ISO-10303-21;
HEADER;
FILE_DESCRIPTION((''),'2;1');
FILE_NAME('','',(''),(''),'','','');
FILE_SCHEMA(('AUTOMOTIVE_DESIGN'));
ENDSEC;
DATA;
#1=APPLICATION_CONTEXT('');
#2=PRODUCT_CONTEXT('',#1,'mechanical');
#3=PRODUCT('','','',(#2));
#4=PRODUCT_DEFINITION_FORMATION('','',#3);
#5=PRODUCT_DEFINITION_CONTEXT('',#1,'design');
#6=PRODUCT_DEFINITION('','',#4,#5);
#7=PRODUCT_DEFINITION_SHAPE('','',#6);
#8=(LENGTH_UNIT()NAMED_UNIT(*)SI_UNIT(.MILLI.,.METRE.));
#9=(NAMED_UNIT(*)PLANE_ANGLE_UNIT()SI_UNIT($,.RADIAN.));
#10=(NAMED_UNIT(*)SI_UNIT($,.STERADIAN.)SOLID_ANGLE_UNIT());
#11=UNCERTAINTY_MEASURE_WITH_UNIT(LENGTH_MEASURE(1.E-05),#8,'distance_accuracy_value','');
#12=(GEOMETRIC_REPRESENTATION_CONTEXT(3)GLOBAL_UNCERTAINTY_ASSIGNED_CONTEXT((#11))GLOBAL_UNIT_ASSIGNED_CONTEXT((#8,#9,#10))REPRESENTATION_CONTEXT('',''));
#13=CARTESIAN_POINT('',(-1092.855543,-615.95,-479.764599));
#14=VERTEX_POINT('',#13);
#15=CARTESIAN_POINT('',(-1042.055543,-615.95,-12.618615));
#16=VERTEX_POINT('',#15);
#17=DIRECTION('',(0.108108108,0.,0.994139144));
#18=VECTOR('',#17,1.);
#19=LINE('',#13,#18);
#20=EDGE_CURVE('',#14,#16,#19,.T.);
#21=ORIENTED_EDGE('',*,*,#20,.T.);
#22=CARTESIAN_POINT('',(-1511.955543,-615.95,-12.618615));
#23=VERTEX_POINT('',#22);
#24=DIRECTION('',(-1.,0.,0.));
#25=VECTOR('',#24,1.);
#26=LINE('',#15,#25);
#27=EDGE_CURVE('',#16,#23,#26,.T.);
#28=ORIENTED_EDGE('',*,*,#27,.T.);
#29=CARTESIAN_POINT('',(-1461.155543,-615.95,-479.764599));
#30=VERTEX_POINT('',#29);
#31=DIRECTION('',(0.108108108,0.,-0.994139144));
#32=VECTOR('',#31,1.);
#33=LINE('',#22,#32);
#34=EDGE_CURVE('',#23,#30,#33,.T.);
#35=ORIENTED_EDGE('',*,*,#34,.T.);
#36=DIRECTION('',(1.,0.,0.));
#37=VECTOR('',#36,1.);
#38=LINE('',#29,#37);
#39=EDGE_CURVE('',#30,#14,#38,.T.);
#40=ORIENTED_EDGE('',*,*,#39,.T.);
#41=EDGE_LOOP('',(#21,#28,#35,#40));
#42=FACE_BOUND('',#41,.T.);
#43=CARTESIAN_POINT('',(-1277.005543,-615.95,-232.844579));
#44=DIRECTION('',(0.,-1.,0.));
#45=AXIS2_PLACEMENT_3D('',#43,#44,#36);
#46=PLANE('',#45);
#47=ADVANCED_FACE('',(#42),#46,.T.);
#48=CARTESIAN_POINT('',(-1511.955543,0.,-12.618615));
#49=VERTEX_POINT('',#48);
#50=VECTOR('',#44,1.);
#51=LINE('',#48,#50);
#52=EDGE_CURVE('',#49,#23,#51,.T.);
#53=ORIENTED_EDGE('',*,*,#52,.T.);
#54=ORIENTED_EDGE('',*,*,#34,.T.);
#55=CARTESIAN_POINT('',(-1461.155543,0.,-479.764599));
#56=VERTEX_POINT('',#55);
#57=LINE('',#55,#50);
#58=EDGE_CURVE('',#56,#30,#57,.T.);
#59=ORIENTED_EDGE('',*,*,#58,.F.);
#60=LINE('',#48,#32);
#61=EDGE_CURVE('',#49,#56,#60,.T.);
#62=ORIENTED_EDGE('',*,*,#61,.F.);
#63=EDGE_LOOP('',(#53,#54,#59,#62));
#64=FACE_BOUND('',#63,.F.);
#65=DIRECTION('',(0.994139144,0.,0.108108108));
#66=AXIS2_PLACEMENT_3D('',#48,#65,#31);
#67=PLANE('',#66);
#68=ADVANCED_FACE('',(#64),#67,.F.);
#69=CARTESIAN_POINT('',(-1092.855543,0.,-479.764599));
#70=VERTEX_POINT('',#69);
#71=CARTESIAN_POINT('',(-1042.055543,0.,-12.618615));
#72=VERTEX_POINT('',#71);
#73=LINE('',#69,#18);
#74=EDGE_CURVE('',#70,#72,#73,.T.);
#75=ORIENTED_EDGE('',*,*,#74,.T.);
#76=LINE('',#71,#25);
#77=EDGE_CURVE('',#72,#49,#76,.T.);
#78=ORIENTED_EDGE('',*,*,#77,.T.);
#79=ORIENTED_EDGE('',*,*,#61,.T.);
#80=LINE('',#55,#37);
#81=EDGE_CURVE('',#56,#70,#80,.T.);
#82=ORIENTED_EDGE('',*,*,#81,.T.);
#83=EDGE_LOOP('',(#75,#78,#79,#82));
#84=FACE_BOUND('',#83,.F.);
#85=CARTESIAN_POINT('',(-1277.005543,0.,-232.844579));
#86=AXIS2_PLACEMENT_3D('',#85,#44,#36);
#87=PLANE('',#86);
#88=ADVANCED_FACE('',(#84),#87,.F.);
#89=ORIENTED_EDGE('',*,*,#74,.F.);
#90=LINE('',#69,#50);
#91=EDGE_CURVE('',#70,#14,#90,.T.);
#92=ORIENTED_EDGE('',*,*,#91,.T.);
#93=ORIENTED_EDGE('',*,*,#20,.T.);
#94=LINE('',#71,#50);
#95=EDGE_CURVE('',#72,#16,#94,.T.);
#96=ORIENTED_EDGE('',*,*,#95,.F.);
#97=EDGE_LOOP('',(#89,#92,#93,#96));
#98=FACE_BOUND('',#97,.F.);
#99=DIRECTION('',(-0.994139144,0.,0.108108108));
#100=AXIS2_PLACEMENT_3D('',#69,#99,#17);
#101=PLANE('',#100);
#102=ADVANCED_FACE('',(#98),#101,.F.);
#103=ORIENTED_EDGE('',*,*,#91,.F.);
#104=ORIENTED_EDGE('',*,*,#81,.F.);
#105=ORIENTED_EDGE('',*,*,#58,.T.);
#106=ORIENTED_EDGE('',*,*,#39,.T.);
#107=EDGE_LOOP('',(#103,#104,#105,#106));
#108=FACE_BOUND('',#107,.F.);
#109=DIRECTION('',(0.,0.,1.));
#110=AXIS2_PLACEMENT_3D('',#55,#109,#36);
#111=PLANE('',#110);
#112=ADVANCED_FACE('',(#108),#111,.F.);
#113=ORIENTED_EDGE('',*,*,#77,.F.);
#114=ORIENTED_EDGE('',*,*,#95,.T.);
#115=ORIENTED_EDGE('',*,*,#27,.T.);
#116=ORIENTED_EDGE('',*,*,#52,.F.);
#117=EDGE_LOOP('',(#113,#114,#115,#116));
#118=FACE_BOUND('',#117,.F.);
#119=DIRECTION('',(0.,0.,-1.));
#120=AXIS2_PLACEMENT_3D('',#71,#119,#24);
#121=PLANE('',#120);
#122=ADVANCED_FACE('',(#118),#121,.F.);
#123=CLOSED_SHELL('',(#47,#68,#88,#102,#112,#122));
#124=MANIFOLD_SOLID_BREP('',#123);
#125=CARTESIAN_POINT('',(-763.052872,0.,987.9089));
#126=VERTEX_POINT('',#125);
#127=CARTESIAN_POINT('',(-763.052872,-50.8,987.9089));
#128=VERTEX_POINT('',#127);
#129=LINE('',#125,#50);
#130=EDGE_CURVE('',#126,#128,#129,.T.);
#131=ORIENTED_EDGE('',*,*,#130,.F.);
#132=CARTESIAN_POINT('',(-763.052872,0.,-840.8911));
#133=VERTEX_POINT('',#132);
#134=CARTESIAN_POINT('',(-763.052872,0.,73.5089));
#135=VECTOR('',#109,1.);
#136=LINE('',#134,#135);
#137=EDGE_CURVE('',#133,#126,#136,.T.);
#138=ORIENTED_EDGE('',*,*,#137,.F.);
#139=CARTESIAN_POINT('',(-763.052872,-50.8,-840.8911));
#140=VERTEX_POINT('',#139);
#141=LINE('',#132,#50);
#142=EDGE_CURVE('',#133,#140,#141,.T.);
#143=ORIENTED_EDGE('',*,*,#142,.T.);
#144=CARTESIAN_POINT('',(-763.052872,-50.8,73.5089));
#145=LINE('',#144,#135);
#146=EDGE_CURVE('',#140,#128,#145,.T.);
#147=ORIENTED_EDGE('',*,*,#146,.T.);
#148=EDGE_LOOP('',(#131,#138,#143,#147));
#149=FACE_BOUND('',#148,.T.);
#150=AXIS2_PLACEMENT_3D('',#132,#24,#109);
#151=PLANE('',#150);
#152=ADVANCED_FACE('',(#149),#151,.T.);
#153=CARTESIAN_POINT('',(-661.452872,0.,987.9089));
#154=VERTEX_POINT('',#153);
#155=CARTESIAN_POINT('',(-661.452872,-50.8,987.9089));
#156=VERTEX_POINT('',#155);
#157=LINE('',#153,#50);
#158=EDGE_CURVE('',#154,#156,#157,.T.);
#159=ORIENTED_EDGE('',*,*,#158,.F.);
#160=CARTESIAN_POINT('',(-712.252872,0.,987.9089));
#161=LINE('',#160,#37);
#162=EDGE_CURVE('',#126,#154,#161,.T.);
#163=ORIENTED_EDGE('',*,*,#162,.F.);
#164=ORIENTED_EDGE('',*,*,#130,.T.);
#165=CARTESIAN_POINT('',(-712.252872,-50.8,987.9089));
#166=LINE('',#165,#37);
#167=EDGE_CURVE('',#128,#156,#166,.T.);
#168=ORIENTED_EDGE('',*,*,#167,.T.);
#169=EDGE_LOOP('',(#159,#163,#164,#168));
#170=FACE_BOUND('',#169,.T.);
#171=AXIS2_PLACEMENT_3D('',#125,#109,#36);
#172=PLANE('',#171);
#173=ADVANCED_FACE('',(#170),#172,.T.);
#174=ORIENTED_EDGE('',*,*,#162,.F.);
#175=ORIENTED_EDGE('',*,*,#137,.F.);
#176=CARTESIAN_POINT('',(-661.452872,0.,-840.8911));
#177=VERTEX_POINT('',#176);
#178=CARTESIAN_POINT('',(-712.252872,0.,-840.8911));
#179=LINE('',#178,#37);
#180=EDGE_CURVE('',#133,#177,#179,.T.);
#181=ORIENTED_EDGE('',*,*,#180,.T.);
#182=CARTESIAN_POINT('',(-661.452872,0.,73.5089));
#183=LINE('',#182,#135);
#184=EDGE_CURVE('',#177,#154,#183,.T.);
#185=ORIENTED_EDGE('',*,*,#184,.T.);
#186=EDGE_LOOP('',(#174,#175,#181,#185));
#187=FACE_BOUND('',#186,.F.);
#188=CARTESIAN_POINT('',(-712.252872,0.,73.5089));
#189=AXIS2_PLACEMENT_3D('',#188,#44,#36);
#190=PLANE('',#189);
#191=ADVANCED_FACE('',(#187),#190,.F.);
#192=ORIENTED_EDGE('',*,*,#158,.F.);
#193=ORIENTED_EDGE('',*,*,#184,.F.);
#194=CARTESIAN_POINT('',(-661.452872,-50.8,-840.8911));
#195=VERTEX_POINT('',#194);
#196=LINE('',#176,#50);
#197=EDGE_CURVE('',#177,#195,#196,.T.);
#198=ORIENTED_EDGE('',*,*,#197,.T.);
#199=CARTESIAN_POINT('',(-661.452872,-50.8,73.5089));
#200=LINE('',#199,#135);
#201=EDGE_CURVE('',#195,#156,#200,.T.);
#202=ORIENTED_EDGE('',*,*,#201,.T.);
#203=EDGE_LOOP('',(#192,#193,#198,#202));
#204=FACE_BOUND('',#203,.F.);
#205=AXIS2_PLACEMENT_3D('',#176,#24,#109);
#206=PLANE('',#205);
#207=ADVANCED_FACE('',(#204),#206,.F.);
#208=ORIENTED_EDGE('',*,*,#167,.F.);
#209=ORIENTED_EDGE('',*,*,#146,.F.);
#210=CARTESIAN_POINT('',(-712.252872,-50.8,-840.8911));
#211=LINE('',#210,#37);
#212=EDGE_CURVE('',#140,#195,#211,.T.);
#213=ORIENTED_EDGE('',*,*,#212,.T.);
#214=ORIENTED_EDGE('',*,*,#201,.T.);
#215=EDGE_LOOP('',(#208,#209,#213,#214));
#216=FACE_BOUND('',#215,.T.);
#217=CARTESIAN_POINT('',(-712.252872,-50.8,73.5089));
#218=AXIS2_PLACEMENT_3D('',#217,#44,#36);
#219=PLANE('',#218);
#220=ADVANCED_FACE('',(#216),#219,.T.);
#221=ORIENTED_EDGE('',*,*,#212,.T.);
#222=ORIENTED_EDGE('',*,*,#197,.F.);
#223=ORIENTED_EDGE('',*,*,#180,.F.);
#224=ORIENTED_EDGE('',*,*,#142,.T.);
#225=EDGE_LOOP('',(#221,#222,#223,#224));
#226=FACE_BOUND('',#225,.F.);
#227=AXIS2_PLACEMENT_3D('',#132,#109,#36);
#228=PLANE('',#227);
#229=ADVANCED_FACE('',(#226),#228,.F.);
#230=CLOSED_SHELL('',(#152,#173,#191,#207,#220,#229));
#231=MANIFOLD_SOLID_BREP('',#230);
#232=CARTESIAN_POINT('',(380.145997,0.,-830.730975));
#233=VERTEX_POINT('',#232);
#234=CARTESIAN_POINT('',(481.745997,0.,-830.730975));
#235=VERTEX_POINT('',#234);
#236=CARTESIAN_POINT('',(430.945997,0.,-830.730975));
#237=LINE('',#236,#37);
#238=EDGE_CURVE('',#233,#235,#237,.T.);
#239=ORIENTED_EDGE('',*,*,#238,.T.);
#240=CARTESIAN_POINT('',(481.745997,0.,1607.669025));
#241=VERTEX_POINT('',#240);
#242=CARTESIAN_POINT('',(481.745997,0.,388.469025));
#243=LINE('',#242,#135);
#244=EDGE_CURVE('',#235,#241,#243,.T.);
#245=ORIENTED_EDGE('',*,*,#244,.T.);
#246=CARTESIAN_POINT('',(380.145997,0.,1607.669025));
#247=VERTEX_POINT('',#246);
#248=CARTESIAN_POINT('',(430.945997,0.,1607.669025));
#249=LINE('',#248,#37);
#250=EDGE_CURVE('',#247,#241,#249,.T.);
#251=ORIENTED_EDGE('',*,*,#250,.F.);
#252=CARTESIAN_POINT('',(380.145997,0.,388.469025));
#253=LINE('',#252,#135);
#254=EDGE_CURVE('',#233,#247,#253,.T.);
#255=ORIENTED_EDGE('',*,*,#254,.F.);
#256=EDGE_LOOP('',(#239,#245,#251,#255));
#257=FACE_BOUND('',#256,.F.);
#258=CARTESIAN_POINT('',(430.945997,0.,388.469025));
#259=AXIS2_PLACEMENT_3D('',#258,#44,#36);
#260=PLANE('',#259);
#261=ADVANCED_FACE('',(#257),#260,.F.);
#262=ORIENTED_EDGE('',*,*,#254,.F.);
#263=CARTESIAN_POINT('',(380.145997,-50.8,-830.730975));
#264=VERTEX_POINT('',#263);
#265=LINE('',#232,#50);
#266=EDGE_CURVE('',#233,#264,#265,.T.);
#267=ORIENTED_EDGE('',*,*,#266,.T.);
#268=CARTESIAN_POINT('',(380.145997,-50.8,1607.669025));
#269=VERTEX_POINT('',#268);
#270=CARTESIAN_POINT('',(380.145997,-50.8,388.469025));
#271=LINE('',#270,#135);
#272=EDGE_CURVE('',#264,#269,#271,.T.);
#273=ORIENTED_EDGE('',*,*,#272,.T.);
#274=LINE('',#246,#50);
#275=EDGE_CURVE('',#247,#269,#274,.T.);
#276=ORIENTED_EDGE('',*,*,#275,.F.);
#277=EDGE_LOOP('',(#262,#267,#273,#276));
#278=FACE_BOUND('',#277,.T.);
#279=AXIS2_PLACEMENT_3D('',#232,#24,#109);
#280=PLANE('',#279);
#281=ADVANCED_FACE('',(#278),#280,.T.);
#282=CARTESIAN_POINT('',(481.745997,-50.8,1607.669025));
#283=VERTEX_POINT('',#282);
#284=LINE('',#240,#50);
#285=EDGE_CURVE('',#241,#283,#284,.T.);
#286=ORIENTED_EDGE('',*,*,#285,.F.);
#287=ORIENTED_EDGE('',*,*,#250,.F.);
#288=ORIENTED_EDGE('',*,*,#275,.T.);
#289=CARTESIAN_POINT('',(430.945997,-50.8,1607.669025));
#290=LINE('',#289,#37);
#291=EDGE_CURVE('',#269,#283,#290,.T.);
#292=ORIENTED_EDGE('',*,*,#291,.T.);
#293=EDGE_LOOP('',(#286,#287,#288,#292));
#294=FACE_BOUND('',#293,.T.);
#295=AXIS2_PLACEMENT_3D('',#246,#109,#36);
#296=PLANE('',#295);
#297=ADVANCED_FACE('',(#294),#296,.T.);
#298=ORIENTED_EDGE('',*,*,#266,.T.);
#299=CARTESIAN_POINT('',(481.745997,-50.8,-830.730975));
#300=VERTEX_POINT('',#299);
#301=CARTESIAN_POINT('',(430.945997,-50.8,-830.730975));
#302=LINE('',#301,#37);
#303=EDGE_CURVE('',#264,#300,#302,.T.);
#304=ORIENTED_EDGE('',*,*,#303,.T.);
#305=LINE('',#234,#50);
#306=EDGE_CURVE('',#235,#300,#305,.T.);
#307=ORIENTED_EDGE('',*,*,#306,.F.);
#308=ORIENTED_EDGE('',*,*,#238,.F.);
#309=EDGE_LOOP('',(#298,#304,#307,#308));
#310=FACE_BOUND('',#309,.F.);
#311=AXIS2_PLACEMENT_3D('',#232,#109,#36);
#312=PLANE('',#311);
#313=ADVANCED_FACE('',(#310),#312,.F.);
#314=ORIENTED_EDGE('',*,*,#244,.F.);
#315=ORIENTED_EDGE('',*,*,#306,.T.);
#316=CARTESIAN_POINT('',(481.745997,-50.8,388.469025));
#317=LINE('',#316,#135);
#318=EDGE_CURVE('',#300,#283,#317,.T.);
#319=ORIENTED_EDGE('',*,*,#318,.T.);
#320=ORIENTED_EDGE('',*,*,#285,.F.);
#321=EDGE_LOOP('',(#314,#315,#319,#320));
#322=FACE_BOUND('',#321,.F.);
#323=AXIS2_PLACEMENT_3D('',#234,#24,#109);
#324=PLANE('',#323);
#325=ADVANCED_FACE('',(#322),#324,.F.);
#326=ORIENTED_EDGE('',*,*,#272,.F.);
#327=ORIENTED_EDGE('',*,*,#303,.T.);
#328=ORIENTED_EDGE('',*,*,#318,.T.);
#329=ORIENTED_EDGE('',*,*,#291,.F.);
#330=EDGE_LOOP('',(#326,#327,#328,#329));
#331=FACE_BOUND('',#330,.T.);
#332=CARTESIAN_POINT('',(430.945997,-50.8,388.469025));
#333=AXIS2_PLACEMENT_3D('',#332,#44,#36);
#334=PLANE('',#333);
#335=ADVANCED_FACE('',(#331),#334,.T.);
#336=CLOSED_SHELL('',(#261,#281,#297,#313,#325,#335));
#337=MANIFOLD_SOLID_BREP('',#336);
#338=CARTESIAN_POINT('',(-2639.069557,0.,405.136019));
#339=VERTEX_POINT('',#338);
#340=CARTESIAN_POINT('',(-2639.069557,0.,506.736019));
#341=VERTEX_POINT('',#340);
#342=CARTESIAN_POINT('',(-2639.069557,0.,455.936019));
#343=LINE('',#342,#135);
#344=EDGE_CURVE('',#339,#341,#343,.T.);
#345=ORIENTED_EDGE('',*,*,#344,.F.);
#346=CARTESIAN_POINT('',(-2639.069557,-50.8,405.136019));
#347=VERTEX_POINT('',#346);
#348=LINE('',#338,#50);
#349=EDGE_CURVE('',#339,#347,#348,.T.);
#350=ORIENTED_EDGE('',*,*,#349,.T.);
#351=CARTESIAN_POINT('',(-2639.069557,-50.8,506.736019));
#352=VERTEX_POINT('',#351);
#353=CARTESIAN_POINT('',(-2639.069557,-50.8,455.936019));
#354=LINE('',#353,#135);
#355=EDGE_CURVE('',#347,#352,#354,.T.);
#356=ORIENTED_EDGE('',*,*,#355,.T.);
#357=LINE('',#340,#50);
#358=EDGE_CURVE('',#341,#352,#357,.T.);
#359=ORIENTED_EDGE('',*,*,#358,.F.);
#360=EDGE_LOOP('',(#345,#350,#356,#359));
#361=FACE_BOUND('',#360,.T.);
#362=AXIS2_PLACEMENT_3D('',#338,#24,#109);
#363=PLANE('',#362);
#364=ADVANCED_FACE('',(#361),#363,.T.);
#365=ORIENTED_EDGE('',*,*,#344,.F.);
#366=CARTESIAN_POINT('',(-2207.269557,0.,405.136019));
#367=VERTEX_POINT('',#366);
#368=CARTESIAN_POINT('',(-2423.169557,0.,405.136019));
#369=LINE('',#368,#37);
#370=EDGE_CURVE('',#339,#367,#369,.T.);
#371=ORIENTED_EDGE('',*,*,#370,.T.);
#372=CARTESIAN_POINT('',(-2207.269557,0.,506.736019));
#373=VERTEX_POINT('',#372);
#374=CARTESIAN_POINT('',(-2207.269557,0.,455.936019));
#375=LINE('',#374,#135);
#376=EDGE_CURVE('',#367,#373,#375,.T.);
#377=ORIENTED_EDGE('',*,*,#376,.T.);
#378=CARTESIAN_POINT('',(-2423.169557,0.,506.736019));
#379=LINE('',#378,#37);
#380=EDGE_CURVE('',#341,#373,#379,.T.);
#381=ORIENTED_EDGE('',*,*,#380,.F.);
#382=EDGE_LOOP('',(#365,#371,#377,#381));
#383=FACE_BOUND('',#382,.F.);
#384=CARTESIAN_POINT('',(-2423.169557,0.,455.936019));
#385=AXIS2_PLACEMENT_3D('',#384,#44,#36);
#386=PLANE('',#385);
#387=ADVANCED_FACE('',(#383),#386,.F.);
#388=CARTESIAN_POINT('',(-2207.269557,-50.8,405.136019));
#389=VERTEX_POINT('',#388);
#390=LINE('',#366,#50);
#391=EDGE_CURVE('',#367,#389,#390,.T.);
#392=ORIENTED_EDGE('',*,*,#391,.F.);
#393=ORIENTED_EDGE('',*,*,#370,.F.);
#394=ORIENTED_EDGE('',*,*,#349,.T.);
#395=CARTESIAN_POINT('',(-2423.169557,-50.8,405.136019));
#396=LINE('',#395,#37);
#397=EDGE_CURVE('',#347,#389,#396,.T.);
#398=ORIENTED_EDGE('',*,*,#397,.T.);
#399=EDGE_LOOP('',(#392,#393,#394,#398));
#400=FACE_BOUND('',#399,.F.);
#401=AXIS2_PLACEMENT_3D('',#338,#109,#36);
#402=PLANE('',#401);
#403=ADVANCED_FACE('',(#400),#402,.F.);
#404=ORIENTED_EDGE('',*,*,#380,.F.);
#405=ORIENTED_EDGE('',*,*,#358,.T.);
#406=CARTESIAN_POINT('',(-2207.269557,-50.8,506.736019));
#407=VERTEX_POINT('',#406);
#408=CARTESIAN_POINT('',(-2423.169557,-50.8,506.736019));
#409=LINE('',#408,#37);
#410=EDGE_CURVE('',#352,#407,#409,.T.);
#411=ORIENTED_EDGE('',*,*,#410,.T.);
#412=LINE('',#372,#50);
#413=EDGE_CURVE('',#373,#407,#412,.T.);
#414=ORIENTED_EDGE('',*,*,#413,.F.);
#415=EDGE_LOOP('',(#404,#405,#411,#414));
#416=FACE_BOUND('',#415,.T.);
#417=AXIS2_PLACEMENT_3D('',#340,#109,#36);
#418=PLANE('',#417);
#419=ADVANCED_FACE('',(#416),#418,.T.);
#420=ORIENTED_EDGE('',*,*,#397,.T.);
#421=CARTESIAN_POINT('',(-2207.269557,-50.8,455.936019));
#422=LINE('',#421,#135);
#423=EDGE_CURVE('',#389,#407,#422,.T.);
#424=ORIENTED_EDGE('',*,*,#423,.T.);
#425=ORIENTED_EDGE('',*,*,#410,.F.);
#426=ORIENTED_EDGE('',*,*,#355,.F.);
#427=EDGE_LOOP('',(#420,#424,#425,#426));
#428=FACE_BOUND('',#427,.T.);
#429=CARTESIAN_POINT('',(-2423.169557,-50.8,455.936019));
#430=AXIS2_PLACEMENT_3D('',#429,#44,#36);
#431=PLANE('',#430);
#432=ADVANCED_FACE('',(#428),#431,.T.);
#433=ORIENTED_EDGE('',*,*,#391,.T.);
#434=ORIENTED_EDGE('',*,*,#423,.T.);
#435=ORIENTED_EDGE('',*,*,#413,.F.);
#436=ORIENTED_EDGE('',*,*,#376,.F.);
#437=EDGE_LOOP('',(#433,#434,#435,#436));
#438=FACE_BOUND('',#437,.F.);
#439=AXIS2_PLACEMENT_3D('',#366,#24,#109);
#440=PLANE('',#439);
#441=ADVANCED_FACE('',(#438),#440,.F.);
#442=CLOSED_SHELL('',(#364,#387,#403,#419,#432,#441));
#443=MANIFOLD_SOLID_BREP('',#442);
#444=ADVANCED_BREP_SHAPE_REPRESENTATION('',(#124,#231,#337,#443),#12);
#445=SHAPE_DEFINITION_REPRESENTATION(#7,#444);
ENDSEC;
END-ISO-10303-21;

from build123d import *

# Parameters (mm, degrees)
F0_W     = 101.6
F0_H     = 1828.8
F1_DEPTH = 50.8
F0_H_2   = 2438.4
F2_DEPTH = 50.8
F3_DEPTH = 615.95
F0_W_2   = 431.8
F0_H_3   = 101.6
F4_DEPTH = 50.8


with BuildPart() as f1:
    # F0 (on Front) → F1 (new body)
    with BuildSketch(Plane.XZ):
        with Locations((-712.252872, 73.5089)):
            Rectangle(F0_W, F0_H)
    extrude(amount=F1_DEPTH)


with BuildPart() as f2:
    # F0 (on Front) → F2 (new body)
    with BuildSketch(Plane.XZ):
        with Locations((430.945997, 388.469025)):
            Rectangle(F0_W, F0_H_2)
    extrude(amount=F2_DEPTH)


with BuildPart() as f3:
    # F0 (on Front) → F3 (new body)
    with BuildSketch(Plane.XZ):
        Polygon((-1042.055543, -12.618615), (-1511.955543, -12.618615), (-1461.155543, -479.764599), (-1092.855543, -479.764599), align=None)
    extrude(amount=F3_DEPTH)


with BuildPart() as f4:
    # F0 (on Front) → F4 (new body)
    with BuildSketch(Plane.XZ):
        with Locations((-2423.169557, 455.936019)):
            Rectangle(F0_W_2, F0_H_3)
    extrude(amount=F4_DEPTH)


solid = Compound([f1.part, f2.part, f3.part, f4.part])
